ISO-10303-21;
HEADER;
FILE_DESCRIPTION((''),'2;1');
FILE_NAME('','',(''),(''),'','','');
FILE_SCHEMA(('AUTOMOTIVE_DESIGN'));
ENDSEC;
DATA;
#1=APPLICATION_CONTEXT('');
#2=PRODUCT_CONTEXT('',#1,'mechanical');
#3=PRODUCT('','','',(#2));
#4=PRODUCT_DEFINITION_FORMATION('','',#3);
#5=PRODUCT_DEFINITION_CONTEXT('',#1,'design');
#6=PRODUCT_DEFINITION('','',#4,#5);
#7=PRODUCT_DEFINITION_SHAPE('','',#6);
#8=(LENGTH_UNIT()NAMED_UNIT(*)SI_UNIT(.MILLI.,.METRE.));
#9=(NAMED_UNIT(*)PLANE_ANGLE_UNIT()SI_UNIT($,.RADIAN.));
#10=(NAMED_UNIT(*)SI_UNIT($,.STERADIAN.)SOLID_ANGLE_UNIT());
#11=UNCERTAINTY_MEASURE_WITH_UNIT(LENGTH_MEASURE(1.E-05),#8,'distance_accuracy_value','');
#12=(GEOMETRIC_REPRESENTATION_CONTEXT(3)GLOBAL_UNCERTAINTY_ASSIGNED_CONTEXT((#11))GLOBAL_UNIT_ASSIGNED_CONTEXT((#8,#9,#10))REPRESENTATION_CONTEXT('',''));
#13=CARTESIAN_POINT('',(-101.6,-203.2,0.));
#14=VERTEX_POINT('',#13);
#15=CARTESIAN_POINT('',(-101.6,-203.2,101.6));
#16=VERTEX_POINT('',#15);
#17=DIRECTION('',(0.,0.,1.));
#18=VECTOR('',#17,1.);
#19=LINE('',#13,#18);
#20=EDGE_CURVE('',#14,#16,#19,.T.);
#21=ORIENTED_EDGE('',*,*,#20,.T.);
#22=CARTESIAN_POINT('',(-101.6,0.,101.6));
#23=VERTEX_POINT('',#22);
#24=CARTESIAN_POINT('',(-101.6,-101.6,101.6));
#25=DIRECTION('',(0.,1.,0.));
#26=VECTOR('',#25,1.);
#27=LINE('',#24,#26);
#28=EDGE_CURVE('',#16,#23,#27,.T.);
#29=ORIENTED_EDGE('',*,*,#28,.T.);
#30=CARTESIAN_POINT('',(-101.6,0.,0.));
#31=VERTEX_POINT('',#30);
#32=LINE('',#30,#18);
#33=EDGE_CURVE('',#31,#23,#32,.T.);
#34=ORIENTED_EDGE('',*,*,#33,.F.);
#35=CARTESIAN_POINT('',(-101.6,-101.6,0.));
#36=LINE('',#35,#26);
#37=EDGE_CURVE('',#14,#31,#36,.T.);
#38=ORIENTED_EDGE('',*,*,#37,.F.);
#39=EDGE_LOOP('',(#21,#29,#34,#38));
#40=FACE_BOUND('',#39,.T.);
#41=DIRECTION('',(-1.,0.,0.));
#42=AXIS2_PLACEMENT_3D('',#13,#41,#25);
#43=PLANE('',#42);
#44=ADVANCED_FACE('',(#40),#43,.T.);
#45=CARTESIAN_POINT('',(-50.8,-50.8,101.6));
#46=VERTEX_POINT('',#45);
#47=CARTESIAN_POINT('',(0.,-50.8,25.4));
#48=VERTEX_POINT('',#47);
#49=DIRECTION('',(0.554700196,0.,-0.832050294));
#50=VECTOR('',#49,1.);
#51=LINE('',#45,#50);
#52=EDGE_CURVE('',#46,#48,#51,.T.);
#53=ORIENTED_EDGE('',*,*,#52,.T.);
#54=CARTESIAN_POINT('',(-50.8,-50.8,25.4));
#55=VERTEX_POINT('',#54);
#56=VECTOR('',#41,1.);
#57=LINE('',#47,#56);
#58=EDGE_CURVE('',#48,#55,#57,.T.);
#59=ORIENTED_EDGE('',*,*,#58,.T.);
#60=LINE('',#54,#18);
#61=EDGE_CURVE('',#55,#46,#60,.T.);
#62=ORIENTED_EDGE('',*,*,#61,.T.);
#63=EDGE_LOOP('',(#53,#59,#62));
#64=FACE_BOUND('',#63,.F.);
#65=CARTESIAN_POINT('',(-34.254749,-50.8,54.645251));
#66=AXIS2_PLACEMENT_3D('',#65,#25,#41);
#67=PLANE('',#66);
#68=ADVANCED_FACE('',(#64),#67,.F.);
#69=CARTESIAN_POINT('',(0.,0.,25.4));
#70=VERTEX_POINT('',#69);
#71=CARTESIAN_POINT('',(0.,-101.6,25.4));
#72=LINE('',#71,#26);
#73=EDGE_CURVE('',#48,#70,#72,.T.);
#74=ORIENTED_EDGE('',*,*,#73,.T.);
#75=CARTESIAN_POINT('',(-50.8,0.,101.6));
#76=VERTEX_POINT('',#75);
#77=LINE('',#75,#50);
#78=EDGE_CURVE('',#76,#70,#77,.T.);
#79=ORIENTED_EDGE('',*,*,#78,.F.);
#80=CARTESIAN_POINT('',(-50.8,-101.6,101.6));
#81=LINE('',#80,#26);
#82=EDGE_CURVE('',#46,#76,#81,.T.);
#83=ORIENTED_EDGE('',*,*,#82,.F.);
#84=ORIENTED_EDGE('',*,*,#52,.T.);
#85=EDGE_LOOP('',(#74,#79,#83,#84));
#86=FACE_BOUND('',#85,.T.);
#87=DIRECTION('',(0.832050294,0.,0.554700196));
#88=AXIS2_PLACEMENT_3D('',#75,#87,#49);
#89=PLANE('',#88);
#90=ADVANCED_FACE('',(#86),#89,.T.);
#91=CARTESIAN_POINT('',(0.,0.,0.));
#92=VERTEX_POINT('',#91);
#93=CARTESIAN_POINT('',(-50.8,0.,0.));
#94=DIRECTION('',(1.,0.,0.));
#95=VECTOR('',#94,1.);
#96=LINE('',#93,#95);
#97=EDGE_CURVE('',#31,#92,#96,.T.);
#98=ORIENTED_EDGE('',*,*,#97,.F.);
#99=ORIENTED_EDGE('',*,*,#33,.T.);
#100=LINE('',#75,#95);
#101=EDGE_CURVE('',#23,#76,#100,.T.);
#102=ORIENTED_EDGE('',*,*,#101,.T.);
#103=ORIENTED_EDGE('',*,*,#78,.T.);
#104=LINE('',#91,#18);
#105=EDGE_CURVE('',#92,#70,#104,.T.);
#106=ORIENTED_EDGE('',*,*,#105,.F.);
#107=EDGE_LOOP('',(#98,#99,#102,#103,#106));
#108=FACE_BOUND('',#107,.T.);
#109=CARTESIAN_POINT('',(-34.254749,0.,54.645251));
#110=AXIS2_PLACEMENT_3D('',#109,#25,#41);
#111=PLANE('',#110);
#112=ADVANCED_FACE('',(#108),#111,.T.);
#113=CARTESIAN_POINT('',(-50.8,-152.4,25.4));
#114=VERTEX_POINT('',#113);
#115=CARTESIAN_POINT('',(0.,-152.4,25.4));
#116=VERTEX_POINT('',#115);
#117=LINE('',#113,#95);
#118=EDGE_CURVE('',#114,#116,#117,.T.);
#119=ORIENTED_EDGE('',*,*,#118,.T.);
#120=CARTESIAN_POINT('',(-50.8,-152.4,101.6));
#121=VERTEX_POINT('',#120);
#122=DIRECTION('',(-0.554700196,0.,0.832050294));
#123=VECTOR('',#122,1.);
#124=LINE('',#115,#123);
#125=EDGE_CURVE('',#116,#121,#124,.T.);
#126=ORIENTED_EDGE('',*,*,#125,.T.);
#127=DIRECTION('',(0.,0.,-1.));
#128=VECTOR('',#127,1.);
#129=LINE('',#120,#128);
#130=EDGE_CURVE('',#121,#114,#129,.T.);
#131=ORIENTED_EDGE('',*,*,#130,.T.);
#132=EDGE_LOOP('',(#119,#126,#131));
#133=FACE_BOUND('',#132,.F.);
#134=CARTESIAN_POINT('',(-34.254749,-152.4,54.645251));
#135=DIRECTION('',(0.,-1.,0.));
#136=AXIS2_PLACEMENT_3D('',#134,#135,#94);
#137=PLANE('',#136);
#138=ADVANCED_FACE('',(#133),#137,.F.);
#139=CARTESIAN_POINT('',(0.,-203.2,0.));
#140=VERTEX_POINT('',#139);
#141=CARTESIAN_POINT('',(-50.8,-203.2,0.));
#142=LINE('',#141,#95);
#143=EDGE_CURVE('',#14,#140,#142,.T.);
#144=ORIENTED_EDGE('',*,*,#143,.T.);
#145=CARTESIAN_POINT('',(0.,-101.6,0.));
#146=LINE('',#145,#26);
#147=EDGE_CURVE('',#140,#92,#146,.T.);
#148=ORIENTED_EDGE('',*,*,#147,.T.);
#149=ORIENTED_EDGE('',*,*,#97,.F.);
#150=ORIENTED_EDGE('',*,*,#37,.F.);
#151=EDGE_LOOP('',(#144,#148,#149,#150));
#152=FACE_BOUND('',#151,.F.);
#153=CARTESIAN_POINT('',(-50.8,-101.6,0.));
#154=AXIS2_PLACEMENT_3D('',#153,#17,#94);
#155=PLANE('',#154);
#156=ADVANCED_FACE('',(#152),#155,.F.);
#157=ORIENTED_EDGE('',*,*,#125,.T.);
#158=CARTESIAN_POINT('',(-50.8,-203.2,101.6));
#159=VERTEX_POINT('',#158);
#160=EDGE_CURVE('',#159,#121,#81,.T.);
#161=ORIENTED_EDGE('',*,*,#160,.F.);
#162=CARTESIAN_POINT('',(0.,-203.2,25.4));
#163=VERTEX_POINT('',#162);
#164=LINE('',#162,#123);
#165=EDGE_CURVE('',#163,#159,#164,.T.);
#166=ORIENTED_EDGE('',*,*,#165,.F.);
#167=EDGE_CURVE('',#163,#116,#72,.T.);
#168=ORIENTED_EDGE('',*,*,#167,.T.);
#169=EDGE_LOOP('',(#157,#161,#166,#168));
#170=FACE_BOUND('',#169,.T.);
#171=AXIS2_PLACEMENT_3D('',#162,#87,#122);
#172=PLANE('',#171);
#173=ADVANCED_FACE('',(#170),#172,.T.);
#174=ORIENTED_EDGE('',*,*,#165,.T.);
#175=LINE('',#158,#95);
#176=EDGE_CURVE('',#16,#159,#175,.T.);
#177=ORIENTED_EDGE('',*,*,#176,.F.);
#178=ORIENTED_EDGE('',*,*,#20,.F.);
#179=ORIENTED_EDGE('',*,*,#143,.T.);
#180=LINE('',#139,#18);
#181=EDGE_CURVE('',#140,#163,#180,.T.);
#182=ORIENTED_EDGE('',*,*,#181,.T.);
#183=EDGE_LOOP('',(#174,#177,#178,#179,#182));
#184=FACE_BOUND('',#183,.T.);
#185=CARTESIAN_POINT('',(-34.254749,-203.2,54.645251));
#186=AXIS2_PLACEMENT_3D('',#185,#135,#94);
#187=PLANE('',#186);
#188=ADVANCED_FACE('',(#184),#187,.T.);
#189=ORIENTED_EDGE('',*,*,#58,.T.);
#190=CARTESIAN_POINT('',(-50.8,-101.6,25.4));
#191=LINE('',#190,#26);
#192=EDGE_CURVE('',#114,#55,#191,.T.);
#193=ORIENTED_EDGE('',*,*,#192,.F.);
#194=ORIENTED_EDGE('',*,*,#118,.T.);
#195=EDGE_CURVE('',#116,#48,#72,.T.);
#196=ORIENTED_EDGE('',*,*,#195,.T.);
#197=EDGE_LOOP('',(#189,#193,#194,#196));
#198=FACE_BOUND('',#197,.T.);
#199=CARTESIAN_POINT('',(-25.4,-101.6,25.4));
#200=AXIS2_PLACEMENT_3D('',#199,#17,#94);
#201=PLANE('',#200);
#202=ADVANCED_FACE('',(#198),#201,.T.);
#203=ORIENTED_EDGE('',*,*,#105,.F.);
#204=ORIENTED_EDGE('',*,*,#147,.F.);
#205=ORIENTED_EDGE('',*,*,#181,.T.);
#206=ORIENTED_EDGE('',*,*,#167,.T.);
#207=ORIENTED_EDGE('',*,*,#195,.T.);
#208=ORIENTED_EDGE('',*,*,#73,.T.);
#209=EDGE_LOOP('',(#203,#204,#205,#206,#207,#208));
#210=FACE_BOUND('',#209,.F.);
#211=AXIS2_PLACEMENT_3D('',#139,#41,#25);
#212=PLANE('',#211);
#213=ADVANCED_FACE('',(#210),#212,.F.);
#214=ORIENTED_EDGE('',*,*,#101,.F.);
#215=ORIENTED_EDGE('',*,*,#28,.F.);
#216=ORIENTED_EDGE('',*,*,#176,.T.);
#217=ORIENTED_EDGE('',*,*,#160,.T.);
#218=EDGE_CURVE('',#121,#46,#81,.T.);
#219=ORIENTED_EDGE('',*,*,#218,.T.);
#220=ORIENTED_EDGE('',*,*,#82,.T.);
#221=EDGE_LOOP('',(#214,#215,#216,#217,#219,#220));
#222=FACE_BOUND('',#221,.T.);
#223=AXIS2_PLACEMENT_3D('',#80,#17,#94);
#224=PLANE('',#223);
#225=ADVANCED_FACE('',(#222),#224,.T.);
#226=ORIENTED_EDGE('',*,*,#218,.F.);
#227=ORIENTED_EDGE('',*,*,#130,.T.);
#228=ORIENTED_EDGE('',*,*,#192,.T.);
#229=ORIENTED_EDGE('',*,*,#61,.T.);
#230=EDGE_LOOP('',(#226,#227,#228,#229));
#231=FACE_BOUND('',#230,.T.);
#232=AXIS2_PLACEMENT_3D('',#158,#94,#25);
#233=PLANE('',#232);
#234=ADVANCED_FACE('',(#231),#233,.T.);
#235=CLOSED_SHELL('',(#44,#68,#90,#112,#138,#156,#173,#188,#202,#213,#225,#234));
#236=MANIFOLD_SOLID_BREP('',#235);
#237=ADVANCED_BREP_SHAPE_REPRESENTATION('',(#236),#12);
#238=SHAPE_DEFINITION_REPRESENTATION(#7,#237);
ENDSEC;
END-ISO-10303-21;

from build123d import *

# Parameters (mm, degrees)
F0_W     = 101.6
F0_H     = 203.2
F1_DEPTH = 101.6
F2_W     = 50.8
F2_H     = 203.2
F3_DEPTH = 76.2
F5_DEPTH = 50.8
F7_DEPTH = 50.8


with BuildPart() as f1:
    # F0 (on Top) → F1 (new body)
    with BuildSketch(Plane.XY):
        with Locations((-50.8, -101.6)):
            Rectangle(F0_W, F0_H)
    extrude(amount=F1_DEPTH)

    # F2 (on face) → F3 (cut)
    with BuildSketch(Plane.XY.offset(101.6)):
        with Locations((-25.4, -101.6)):
            Rectangle(F2_W, F2_H)
    extrude(amount=-F3_DEPTH, mode=Mode.SUBTRACT)

    # F4 (on face) → F5 (join)
    with BuildSketch(Plane(origin=(0, 0, 0), x_dir=(-1, 0, 0), z_dir=(0, 1, 0))):
        Polygon((50.8, 25.4), (50.8, 101.6), (0, 25.4), align=None)
    extrude(amount=-F5_DEPTH)

    # F6 (on face) → F7 (join)
    with BuildSketch(Plane.XZ.offset(203.2)):
        Polygon((0, 25.4), (-50.8, 101.6), (-50.8, 25.4), align=None)
    extrude(amount=-F7_DEPTH)


solid = f1.part
